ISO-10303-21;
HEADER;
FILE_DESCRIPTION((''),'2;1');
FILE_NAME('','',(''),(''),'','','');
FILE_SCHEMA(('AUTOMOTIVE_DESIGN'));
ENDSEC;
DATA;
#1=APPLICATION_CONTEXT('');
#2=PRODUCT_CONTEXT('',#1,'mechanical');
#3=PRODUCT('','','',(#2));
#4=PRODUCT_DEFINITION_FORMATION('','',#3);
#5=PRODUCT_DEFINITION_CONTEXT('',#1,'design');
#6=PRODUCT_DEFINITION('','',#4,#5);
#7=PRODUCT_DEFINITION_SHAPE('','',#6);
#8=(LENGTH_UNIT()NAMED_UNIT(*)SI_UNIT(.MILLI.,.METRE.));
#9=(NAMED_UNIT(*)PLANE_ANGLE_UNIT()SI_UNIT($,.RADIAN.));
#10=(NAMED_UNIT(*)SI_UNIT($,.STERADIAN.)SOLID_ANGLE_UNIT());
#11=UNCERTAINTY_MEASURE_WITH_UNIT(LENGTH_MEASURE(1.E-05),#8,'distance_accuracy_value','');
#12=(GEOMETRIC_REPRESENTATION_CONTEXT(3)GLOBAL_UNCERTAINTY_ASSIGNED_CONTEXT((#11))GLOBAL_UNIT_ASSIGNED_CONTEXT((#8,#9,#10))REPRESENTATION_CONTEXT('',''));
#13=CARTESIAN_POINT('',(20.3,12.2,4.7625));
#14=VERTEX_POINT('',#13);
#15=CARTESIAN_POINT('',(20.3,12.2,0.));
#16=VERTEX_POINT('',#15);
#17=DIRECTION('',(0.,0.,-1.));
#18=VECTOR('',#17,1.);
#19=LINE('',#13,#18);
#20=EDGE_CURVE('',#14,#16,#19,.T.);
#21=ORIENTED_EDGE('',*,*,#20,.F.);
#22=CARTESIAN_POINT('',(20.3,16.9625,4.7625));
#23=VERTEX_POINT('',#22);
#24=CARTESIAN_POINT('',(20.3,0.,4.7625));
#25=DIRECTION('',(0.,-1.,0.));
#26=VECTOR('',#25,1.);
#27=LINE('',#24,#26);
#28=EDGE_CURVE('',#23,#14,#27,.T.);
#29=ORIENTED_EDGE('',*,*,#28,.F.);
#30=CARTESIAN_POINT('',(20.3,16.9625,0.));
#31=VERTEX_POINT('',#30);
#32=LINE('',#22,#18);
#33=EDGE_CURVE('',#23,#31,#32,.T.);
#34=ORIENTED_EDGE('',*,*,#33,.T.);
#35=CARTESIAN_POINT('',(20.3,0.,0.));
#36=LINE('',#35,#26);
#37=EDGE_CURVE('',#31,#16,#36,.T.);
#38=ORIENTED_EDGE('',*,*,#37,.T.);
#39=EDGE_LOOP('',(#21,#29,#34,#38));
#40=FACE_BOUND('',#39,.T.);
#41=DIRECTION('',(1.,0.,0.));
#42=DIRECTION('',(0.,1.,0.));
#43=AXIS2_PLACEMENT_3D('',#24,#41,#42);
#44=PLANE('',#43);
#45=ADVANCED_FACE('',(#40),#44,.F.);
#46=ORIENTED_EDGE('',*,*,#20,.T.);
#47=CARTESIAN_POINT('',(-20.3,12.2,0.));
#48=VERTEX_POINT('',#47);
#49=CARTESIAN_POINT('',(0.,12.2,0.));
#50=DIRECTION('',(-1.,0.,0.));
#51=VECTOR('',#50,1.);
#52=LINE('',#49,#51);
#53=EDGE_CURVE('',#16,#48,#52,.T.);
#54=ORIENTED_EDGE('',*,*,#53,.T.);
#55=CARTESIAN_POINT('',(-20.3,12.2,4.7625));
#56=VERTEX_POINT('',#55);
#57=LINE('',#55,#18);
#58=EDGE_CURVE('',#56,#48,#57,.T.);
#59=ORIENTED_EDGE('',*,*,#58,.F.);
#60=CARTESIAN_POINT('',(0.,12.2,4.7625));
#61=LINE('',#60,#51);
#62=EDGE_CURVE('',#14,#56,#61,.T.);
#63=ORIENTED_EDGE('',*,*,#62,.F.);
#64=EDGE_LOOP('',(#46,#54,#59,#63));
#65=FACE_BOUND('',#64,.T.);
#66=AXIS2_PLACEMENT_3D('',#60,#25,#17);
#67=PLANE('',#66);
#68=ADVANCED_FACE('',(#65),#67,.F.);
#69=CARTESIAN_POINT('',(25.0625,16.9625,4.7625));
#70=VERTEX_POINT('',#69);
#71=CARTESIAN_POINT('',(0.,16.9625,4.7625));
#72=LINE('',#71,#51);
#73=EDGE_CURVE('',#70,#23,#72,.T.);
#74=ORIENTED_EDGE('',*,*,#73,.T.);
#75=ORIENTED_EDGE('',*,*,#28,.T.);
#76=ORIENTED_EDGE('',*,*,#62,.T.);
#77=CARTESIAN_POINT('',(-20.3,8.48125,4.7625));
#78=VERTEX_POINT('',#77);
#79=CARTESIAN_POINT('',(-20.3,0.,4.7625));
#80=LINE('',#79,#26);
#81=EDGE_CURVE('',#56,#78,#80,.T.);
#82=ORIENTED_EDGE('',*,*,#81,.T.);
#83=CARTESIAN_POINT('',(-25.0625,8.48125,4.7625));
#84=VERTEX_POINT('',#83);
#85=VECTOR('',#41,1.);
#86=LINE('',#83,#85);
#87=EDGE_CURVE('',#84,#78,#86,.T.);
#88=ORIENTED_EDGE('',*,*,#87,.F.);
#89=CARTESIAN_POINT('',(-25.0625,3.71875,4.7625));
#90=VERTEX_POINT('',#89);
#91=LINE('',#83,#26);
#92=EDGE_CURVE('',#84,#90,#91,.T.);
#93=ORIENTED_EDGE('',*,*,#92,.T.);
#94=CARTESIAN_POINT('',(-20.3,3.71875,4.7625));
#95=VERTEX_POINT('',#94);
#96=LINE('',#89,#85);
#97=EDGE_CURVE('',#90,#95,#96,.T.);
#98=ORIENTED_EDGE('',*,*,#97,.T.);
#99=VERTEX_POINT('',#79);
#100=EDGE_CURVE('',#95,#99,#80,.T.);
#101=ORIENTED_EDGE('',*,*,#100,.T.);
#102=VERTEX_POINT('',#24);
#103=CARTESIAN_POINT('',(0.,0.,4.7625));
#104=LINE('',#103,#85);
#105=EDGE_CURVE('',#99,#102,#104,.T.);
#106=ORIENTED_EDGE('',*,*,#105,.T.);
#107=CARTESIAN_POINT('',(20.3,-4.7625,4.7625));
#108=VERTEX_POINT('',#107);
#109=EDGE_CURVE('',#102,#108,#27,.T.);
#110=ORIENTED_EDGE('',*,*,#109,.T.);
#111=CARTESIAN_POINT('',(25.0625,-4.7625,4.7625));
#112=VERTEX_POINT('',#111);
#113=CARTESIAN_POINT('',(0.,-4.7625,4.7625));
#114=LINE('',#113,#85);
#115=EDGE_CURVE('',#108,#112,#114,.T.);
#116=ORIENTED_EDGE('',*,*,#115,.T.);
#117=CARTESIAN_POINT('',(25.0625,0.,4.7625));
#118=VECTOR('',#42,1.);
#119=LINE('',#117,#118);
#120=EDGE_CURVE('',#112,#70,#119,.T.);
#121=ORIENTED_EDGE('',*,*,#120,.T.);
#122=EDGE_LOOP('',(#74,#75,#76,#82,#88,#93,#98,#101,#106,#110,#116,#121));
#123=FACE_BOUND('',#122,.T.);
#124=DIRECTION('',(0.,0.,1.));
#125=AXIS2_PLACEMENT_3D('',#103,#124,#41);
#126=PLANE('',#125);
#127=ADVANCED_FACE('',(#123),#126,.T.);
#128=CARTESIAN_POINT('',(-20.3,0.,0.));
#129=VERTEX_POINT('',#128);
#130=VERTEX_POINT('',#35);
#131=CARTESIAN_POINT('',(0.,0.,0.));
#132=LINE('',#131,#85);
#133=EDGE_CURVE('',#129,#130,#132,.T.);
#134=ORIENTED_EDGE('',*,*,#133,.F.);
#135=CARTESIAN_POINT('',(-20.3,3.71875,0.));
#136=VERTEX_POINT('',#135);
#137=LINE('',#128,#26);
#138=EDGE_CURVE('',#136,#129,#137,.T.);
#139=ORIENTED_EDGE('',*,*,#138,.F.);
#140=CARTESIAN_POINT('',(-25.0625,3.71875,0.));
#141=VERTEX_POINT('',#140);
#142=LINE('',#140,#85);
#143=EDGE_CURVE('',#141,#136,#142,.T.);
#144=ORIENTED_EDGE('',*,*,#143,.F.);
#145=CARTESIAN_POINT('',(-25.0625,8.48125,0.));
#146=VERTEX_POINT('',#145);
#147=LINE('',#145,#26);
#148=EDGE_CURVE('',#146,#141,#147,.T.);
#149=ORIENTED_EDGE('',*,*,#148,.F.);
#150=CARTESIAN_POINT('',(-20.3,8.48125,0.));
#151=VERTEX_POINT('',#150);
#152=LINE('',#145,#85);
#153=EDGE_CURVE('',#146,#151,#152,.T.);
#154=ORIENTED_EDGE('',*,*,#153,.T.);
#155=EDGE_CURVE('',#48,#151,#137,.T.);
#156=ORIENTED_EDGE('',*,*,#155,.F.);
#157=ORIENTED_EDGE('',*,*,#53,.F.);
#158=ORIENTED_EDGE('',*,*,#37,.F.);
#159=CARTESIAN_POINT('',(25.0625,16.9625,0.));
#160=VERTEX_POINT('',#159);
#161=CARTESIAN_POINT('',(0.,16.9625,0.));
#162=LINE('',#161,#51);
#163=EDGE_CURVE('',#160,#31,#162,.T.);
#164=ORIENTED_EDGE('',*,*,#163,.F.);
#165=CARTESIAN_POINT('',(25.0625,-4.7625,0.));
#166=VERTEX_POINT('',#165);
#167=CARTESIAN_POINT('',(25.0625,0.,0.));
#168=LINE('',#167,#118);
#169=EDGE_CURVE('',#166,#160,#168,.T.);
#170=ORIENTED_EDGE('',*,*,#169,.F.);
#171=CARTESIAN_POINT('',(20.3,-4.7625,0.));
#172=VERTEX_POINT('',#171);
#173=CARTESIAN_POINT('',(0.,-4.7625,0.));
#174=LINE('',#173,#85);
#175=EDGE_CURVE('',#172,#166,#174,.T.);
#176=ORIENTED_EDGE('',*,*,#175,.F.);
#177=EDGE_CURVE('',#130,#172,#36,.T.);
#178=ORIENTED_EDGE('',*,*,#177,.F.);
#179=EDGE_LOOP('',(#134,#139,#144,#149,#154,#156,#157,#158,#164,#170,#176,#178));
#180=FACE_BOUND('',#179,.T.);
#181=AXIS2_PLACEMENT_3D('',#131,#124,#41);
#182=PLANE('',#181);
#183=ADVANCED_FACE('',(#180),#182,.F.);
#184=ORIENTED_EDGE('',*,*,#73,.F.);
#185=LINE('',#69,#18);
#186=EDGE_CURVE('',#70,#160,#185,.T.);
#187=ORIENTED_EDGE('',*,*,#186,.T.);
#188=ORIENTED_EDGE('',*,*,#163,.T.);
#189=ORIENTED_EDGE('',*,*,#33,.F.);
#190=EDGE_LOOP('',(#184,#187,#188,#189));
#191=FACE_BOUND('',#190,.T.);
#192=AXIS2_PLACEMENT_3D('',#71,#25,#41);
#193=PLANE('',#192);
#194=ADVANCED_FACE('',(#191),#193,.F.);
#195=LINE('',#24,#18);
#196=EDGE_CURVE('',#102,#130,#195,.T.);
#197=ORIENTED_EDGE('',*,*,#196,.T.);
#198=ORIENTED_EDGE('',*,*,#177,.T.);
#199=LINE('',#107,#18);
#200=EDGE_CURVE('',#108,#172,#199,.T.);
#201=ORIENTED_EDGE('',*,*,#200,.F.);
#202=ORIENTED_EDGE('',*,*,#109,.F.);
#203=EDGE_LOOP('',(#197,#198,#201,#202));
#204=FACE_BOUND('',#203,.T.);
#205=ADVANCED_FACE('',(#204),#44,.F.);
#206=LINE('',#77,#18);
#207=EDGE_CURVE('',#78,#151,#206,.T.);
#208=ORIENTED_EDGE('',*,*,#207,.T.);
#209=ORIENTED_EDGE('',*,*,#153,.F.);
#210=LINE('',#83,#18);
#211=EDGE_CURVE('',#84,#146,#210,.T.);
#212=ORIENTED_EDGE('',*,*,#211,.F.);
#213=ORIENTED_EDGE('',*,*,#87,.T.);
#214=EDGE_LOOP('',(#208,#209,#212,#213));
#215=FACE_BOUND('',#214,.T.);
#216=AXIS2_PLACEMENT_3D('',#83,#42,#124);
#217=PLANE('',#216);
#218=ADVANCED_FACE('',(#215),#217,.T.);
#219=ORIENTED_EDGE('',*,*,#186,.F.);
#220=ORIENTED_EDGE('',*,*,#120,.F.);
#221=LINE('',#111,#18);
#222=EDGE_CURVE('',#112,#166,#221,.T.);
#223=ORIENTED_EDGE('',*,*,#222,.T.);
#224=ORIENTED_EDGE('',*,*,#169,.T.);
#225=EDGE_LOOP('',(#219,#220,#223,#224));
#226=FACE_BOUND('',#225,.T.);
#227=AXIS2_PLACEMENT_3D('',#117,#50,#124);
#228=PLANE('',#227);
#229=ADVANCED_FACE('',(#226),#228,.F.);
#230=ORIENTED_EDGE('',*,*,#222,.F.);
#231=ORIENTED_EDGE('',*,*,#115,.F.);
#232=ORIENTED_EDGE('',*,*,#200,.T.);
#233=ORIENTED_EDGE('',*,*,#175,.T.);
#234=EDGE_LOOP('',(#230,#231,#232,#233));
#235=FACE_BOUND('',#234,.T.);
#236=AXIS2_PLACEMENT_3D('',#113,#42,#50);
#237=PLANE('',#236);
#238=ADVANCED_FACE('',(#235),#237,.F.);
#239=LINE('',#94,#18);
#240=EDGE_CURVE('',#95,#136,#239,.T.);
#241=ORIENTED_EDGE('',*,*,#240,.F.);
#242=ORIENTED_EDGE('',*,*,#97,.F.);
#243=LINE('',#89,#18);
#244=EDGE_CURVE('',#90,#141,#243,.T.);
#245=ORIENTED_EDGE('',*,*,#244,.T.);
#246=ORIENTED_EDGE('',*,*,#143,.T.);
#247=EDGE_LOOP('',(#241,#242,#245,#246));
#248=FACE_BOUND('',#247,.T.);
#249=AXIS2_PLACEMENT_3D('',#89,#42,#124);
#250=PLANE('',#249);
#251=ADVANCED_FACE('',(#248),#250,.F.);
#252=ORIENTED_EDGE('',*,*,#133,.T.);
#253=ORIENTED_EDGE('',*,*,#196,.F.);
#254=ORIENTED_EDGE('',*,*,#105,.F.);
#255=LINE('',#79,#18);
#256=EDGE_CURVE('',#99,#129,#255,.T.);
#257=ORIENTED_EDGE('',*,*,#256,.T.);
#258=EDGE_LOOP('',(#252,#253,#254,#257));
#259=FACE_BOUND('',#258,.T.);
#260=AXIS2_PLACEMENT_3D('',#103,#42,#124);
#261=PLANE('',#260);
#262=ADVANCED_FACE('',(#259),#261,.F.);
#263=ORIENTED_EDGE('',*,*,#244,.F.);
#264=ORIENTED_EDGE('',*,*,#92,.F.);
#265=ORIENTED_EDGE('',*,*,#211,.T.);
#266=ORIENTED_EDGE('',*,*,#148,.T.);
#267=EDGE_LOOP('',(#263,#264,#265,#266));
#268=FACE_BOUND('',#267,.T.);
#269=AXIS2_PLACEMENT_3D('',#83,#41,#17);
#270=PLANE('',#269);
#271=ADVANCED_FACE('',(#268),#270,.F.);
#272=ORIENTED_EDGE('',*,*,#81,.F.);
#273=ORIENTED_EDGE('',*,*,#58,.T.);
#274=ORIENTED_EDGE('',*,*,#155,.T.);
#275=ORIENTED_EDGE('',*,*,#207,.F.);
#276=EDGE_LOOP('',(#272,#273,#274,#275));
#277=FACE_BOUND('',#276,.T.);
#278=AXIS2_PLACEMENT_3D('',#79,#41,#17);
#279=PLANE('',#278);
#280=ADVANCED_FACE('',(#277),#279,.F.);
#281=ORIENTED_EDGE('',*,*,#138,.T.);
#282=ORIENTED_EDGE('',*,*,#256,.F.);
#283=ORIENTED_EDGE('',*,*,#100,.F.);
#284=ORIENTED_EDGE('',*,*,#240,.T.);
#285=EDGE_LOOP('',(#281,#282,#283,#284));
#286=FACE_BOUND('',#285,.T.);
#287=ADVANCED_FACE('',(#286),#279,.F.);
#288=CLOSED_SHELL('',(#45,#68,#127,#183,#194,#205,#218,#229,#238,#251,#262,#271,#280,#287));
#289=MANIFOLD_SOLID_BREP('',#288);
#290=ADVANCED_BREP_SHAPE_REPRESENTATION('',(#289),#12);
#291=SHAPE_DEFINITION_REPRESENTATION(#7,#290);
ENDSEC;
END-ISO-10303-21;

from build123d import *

# Parameters (mm, degrees)
BOSS_EXTRUDE1_DEPTH = 4.7625


with BuildPart() as part:
    # Sketch1 → Boss-Extrude1 (new body)
    with BuildSketch(Plane.XY):
        Polygon((25.0625, -4.7625), (25.0625, 16.9625), (20.3, 16.9625), (20.3, 12.2), (-20.3, 12.2), (-20.3, 8.48125), (-25.0625, 8.48125), (-25.0625, 3.71875), (-20.3, 3.71875), (-20.3, 0), (20.3, 0), (20.3, -4.7625), align=None)
    extrude(amount=BOSS_EXTRUDE1_DEPTH)


solid = part.part
